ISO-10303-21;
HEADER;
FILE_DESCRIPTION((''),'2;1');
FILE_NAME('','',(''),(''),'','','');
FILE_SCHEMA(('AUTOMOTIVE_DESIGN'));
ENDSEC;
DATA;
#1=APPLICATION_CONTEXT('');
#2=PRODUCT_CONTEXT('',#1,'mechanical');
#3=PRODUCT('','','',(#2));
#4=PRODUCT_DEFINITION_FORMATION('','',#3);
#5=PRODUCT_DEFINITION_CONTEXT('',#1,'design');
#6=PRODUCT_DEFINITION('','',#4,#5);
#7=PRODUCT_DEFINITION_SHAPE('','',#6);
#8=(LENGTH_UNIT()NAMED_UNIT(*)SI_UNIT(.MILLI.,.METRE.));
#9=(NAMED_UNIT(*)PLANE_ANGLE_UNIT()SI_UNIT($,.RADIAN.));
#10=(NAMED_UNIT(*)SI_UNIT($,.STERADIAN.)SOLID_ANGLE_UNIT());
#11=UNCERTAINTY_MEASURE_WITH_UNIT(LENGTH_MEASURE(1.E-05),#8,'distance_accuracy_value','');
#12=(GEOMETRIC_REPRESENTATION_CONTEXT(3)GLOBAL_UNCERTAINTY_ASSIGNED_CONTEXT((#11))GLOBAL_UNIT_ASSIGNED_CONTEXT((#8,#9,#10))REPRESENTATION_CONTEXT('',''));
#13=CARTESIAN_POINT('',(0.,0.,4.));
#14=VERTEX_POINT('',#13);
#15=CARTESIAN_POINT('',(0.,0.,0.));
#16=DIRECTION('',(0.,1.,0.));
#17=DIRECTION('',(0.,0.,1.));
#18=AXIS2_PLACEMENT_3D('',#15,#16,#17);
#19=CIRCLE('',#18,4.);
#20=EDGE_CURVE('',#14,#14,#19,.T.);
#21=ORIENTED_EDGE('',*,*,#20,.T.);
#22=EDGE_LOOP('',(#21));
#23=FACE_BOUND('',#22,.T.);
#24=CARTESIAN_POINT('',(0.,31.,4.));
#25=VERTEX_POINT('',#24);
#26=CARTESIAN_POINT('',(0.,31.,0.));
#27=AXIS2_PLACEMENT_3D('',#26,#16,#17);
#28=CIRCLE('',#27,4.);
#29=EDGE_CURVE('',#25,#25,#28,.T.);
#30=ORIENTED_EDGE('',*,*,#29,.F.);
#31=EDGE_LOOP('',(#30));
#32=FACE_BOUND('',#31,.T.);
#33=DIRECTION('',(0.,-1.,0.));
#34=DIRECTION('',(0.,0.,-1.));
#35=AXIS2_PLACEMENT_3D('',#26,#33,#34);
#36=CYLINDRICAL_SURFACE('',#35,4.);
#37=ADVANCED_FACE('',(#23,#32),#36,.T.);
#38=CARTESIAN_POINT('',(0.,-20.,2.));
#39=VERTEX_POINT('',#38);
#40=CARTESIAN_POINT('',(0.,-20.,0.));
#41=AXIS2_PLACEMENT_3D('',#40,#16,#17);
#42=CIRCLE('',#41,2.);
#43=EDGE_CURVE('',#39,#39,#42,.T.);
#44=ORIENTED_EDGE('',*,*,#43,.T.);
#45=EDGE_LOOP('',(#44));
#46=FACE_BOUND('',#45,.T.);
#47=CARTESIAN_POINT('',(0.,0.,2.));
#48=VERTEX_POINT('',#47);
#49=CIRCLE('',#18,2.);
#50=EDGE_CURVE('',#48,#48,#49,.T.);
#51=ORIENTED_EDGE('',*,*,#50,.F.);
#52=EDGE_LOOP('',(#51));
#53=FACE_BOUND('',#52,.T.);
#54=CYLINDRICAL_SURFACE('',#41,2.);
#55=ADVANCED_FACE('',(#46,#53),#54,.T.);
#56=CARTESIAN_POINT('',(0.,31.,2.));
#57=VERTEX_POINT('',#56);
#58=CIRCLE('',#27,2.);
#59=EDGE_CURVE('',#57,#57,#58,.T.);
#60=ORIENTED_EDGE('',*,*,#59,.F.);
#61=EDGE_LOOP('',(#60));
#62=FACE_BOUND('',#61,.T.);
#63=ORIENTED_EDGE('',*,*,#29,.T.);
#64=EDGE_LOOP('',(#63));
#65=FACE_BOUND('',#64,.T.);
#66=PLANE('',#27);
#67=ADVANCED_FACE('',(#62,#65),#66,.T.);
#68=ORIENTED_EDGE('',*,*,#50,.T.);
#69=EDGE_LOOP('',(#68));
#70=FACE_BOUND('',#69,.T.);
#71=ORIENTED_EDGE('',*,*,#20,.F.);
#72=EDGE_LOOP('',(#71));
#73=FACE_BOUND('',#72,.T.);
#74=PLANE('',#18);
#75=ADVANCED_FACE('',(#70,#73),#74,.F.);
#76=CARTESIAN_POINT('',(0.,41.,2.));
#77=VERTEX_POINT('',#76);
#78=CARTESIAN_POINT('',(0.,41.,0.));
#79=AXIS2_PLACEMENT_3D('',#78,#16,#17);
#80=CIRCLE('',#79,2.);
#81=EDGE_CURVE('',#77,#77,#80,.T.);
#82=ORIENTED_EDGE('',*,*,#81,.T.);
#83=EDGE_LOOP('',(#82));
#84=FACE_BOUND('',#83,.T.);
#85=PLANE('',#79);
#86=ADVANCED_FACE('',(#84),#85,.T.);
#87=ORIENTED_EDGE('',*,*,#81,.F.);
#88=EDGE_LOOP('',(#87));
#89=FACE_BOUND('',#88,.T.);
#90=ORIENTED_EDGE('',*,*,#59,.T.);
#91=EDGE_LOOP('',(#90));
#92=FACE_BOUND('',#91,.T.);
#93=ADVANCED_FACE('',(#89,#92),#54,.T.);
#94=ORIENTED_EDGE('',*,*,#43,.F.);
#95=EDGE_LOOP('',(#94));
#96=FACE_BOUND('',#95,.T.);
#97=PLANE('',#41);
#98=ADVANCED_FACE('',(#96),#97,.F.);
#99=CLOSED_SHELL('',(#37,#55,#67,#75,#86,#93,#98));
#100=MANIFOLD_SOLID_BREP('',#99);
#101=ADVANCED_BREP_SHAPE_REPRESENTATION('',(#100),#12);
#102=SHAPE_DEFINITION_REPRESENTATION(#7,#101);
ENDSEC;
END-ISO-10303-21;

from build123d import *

# Parameters (mm, degrees)
SKETCH1_R                = 4
BOSS_EXTRUDE1_DEPTH      = 31
BOSS_EXTRUDE2_DEPTH      = 41
BOSS_EXTRUDE2_DEPTH_BACK = 20
SKETCH1_4_R              = 2


with BuildPart() as part:
    # Sketch1 → Boss-Extrude1 (new body)
    with BuildSketch(Plane(origin=(0, 0, 0), x_dir=(1, 0, 0), z_dir=(0, 1, 0))):
        Circle(SKETCH1_R)
    extrude(amount=BOSS_EXTRUDE1_DEPTH)

    # Sketch1<4> → Boss-Extrude2 (add, two sides: drawn at the far end of the back side and taken through both)
    with BuildSketch(Plane(origin=(0, 0, 0), x_dir=(1, 0, 0), z_dir=(0, 1, 0)).offset(-BOSS_EXTRUDE2_DEPTH_BACK)):
        Circle(SKETCH1_4_R)
    extrude(amount=BOSS_EXTRUDE2_DEPTH + BOSS_EXTRUDE2_DEPTH_BACK)


solid = part.part
